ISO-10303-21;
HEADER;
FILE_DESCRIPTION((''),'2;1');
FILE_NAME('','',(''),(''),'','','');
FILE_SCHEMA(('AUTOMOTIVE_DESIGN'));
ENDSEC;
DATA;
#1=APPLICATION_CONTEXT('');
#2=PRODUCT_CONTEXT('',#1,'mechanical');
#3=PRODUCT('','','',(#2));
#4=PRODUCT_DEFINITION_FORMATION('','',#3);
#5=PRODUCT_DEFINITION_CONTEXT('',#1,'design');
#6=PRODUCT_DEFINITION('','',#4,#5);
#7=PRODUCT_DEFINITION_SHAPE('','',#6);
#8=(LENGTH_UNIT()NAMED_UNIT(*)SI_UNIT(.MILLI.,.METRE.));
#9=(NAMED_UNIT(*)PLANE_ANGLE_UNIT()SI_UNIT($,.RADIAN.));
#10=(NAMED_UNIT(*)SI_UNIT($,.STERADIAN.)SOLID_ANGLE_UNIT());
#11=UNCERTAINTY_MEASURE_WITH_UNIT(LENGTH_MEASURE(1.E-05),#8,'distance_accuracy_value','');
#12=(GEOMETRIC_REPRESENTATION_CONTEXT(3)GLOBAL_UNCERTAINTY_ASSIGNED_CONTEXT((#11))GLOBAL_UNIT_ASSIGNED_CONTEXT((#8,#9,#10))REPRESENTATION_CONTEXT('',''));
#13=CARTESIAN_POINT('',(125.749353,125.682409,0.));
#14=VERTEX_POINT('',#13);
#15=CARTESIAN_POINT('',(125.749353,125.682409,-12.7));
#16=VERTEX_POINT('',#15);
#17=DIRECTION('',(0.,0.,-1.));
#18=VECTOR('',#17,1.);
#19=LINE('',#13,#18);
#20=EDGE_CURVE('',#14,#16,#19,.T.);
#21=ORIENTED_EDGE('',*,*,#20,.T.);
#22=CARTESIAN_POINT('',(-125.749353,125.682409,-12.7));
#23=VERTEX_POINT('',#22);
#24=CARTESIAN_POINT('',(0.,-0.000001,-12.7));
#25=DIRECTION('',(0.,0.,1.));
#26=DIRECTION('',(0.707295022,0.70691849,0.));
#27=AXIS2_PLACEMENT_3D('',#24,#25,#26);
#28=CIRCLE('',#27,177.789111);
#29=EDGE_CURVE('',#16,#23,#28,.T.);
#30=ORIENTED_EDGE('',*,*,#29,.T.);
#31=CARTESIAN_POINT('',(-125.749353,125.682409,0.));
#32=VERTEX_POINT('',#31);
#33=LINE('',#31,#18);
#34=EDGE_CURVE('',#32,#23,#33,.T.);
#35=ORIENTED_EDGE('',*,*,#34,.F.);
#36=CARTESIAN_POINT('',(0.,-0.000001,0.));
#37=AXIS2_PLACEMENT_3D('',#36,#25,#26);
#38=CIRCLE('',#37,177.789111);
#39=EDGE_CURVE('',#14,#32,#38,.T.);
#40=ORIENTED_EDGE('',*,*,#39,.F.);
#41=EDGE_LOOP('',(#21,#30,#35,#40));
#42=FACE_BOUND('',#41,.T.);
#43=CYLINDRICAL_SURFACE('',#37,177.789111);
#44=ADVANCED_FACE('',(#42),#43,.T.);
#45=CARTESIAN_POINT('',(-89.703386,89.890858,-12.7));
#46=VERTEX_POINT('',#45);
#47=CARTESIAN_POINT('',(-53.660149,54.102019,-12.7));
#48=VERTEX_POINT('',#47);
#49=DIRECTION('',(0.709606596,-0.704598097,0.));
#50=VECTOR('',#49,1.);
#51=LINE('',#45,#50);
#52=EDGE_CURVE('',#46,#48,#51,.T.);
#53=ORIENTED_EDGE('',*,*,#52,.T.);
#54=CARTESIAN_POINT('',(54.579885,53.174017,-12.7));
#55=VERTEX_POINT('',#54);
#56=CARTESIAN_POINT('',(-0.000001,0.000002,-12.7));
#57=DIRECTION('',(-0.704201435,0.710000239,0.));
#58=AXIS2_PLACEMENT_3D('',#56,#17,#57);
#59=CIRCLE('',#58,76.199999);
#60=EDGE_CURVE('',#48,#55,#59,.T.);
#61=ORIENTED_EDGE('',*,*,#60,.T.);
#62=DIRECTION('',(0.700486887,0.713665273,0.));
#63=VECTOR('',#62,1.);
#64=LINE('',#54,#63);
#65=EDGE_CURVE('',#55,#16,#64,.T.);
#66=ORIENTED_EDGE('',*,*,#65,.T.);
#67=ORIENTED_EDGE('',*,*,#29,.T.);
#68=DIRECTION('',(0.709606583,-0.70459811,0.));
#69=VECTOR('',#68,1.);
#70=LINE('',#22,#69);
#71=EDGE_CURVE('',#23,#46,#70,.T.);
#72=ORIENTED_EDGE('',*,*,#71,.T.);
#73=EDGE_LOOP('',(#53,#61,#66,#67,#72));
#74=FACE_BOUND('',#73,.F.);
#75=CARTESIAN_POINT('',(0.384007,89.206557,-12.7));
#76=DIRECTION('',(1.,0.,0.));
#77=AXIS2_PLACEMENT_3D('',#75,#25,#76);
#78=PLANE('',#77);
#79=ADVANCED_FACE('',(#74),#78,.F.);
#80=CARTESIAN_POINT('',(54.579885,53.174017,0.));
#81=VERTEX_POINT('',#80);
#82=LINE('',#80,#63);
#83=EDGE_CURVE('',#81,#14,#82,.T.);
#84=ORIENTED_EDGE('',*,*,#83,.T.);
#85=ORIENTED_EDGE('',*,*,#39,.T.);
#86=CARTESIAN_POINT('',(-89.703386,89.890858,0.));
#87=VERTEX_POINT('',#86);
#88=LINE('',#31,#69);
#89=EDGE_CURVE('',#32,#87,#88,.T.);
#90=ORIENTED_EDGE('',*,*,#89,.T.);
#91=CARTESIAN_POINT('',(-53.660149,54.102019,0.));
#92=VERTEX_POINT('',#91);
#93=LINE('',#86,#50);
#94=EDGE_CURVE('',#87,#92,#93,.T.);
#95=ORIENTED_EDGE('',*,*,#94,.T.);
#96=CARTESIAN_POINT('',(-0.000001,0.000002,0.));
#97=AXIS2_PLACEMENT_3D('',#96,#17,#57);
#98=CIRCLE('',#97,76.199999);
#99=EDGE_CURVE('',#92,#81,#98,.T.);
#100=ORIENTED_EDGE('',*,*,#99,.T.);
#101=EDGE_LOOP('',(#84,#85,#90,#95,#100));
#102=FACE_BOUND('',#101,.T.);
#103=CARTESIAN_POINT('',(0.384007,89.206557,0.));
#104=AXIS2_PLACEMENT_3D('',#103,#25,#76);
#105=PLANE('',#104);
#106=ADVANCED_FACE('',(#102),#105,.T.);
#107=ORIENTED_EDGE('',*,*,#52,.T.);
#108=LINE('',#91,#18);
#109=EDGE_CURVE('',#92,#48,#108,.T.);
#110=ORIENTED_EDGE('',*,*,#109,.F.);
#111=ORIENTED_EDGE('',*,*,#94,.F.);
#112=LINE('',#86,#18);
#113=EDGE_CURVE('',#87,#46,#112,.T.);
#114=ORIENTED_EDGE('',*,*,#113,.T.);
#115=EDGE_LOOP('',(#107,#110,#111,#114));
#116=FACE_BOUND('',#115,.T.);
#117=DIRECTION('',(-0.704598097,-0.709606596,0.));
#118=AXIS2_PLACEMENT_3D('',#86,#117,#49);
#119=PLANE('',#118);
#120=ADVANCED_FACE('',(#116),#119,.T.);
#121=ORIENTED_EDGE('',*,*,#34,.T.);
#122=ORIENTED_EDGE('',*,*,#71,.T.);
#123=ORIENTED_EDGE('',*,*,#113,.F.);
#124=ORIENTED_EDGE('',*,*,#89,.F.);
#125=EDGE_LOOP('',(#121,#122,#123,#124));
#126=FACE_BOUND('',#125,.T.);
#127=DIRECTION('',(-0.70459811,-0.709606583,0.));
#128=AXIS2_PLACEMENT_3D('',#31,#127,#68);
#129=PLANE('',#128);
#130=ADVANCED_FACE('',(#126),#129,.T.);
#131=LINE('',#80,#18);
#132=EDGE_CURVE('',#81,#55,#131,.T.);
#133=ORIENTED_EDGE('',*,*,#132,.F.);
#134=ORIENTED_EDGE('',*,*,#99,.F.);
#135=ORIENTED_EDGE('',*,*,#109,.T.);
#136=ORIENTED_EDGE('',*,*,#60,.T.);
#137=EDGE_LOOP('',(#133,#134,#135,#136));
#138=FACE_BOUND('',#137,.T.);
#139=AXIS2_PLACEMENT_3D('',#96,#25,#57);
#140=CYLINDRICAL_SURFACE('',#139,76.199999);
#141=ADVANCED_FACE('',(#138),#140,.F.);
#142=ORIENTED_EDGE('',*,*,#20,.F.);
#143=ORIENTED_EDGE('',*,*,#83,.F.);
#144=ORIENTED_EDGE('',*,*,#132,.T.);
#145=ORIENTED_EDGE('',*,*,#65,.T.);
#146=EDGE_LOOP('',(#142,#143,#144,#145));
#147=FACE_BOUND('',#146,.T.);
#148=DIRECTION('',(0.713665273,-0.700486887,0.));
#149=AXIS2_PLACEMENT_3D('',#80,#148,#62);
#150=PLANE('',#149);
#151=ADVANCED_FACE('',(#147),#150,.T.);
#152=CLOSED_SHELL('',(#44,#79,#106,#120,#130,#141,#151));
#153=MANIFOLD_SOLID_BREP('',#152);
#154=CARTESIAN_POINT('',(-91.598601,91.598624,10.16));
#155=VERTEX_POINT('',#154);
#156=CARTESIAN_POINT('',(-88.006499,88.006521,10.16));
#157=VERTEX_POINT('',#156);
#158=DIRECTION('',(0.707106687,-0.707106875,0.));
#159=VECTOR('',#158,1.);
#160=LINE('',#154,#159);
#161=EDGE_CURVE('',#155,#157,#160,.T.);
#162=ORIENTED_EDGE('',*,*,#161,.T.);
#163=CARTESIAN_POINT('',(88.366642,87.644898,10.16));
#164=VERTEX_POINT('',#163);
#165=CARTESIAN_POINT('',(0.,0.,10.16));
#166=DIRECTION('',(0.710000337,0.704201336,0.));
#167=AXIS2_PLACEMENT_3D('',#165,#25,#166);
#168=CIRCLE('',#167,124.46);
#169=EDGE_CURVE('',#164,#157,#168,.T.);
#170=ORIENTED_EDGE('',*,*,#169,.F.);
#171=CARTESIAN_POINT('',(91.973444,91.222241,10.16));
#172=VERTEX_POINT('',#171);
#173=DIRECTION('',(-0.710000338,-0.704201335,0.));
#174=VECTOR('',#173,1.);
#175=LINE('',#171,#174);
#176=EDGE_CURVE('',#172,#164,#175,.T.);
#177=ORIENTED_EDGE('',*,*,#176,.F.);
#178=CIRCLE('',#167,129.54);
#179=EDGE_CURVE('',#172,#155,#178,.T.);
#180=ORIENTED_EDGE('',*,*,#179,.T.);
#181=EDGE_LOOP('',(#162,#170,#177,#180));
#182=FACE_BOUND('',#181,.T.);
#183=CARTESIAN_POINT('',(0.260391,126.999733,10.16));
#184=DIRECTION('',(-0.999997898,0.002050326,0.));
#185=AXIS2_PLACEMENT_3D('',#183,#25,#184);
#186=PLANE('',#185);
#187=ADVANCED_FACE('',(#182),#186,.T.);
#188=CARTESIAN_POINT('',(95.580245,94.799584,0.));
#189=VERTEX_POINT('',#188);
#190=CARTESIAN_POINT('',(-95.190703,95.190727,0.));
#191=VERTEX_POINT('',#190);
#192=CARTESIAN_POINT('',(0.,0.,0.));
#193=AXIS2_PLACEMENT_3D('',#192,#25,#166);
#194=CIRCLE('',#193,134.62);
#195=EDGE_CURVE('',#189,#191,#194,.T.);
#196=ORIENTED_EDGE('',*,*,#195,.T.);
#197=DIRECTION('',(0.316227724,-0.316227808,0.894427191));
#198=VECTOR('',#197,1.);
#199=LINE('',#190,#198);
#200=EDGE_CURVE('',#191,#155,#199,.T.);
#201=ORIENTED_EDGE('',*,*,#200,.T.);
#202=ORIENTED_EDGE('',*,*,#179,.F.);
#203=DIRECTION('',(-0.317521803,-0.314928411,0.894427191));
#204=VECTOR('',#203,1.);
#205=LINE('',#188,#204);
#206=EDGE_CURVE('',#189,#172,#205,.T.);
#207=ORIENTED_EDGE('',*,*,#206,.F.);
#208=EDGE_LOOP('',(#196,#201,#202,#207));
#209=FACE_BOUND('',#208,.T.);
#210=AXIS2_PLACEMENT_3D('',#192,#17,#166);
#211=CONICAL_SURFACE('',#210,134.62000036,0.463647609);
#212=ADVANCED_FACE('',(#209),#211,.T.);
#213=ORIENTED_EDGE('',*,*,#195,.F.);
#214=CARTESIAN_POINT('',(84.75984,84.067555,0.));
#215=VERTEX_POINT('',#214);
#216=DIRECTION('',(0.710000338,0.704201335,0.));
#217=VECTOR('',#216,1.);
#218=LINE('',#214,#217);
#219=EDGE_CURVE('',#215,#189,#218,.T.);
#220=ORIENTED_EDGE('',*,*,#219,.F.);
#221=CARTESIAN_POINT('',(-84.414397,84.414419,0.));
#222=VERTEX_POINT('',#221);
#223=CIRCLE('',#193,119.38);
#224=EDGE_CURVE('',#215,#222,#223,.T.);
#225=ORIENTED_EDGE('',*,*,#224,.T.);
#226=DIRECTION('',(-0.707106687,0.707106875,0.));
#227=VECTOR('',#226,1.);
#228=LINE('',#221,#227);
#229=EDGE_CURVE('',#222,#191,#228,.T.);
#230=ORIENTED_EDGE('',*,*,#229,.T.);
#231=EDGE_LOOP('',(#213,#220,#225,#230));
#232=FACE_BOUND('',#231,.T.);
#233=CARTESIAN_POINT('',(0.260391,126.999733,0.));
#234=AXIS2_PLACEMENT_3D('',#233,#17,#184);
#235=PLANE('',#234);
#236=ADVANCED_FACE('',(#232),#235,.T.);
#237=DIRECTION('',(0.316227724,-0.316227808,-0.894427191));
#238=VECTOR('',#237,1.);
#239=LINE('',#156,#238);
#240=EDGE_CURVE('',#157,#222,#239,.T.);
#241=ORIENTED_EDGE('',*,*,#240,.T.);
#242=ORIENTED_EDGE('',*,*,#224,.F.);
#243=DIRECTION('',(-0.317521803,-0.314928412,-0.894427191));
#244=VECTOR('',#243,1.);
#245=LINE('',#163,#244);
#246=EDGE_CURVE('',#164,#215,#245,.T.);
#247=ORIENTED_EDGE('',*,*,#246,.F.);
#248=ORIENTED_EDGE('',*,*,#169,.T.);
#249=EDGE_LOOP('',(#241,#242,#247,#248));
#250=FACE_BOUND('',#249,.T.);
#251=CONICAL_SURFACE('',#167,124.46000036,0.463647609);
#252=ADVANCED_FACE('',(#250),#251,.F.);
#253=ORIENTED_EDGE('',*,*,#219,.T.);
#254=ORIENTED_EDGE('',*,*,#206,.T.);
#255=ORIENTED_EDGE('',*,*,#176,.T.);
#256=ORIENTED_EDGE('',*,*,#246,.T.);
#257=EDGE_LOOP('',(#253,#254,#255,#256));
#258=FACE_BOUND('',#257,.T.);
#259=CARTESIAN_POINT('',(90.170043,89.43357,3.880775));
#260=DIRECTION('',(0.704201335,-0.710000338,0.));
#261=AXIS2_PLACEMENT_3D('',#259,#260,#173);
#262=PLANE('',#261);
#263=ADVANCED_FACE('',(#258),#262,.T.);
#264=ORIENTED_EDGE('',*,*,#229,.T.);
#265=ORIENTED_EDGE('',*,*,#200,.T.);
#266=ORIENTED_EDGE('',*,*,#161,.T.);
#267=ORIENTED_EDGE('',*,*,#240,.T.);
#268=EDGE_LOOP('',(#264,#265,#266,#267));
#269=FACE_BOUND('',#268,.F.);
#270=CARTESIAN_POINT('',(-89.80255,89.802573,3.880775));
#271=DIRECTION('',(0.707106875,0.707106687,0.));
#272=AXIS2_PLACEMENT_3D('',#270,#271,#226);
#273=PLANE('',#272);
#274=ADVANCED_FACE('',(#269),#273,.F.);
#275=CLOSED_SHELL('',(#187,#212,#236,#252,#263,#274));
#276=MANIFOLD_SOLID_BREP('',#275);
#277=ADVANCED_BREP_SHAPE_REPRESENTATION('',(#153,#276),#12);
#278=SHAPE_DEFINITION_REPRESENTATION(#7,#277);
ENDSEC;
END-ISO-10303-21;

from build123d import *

# Parameters (mm, degrees)
F4_DEPTH = 12.7


with BuildPart() as f3:
    # F3: sweep along a path in F0
    with BuildLine(Plane.XY) as f3_path:
        ThreePointArc((90.164619, 89.428213), (0.26036, 126.99211), (-89.797171, 89.797171))
    # F2 (on face) → F3 (sweep)
    with BuildSketch(Plane(origin=(0, 0, 0), x_dir=(0.71, 0.704201, 0), z_dir=(0.704201, -0.71, 0))):
        Polygon((124.46, 10.16), (119.38, 0), (127, 0), (134.62, 0), (129.54, 10.16), (127, 10.16), align=None)
    sweep(path=f3_path.line)


with BuildPart() as f4:
    # F0 (on Top) → F4 (new body)
    with BuildSketch(Plane.XY):
        with BuildLine():
            ThreePointArc((-53.660149, 54.102019), (0.653281, 76.1972), (54.579885, 53.174017))
            Line((54.579885, 53.174017), (90.164619, 89.428213))
            ThreePointArc((90.164619, 89.428213), (0.326641, 126.991957), (-89.703386, 89.890858))
            Line((-89.703386, 89.890858), (-53.660149, 54.102019))
        make_face()
        with BuildLine():
            ThreePointArc((-89.703386, 89.890858), (0.326641, 126.991957), (90.164619, 89.428213))
            Line((90.164619, 89.428213), (125.749353, 125.682409))
            ThreePointArc((125.749353, 125.682409), (0, 177.78911), (-125.749353, 125.682409))
            Line((-125.749353, 125.682409), (-89.703386, 89.890858))
        make_face()
    extrude(amount=-F4_DEPTH)


solid = Compound([f3.part, f4.part])
